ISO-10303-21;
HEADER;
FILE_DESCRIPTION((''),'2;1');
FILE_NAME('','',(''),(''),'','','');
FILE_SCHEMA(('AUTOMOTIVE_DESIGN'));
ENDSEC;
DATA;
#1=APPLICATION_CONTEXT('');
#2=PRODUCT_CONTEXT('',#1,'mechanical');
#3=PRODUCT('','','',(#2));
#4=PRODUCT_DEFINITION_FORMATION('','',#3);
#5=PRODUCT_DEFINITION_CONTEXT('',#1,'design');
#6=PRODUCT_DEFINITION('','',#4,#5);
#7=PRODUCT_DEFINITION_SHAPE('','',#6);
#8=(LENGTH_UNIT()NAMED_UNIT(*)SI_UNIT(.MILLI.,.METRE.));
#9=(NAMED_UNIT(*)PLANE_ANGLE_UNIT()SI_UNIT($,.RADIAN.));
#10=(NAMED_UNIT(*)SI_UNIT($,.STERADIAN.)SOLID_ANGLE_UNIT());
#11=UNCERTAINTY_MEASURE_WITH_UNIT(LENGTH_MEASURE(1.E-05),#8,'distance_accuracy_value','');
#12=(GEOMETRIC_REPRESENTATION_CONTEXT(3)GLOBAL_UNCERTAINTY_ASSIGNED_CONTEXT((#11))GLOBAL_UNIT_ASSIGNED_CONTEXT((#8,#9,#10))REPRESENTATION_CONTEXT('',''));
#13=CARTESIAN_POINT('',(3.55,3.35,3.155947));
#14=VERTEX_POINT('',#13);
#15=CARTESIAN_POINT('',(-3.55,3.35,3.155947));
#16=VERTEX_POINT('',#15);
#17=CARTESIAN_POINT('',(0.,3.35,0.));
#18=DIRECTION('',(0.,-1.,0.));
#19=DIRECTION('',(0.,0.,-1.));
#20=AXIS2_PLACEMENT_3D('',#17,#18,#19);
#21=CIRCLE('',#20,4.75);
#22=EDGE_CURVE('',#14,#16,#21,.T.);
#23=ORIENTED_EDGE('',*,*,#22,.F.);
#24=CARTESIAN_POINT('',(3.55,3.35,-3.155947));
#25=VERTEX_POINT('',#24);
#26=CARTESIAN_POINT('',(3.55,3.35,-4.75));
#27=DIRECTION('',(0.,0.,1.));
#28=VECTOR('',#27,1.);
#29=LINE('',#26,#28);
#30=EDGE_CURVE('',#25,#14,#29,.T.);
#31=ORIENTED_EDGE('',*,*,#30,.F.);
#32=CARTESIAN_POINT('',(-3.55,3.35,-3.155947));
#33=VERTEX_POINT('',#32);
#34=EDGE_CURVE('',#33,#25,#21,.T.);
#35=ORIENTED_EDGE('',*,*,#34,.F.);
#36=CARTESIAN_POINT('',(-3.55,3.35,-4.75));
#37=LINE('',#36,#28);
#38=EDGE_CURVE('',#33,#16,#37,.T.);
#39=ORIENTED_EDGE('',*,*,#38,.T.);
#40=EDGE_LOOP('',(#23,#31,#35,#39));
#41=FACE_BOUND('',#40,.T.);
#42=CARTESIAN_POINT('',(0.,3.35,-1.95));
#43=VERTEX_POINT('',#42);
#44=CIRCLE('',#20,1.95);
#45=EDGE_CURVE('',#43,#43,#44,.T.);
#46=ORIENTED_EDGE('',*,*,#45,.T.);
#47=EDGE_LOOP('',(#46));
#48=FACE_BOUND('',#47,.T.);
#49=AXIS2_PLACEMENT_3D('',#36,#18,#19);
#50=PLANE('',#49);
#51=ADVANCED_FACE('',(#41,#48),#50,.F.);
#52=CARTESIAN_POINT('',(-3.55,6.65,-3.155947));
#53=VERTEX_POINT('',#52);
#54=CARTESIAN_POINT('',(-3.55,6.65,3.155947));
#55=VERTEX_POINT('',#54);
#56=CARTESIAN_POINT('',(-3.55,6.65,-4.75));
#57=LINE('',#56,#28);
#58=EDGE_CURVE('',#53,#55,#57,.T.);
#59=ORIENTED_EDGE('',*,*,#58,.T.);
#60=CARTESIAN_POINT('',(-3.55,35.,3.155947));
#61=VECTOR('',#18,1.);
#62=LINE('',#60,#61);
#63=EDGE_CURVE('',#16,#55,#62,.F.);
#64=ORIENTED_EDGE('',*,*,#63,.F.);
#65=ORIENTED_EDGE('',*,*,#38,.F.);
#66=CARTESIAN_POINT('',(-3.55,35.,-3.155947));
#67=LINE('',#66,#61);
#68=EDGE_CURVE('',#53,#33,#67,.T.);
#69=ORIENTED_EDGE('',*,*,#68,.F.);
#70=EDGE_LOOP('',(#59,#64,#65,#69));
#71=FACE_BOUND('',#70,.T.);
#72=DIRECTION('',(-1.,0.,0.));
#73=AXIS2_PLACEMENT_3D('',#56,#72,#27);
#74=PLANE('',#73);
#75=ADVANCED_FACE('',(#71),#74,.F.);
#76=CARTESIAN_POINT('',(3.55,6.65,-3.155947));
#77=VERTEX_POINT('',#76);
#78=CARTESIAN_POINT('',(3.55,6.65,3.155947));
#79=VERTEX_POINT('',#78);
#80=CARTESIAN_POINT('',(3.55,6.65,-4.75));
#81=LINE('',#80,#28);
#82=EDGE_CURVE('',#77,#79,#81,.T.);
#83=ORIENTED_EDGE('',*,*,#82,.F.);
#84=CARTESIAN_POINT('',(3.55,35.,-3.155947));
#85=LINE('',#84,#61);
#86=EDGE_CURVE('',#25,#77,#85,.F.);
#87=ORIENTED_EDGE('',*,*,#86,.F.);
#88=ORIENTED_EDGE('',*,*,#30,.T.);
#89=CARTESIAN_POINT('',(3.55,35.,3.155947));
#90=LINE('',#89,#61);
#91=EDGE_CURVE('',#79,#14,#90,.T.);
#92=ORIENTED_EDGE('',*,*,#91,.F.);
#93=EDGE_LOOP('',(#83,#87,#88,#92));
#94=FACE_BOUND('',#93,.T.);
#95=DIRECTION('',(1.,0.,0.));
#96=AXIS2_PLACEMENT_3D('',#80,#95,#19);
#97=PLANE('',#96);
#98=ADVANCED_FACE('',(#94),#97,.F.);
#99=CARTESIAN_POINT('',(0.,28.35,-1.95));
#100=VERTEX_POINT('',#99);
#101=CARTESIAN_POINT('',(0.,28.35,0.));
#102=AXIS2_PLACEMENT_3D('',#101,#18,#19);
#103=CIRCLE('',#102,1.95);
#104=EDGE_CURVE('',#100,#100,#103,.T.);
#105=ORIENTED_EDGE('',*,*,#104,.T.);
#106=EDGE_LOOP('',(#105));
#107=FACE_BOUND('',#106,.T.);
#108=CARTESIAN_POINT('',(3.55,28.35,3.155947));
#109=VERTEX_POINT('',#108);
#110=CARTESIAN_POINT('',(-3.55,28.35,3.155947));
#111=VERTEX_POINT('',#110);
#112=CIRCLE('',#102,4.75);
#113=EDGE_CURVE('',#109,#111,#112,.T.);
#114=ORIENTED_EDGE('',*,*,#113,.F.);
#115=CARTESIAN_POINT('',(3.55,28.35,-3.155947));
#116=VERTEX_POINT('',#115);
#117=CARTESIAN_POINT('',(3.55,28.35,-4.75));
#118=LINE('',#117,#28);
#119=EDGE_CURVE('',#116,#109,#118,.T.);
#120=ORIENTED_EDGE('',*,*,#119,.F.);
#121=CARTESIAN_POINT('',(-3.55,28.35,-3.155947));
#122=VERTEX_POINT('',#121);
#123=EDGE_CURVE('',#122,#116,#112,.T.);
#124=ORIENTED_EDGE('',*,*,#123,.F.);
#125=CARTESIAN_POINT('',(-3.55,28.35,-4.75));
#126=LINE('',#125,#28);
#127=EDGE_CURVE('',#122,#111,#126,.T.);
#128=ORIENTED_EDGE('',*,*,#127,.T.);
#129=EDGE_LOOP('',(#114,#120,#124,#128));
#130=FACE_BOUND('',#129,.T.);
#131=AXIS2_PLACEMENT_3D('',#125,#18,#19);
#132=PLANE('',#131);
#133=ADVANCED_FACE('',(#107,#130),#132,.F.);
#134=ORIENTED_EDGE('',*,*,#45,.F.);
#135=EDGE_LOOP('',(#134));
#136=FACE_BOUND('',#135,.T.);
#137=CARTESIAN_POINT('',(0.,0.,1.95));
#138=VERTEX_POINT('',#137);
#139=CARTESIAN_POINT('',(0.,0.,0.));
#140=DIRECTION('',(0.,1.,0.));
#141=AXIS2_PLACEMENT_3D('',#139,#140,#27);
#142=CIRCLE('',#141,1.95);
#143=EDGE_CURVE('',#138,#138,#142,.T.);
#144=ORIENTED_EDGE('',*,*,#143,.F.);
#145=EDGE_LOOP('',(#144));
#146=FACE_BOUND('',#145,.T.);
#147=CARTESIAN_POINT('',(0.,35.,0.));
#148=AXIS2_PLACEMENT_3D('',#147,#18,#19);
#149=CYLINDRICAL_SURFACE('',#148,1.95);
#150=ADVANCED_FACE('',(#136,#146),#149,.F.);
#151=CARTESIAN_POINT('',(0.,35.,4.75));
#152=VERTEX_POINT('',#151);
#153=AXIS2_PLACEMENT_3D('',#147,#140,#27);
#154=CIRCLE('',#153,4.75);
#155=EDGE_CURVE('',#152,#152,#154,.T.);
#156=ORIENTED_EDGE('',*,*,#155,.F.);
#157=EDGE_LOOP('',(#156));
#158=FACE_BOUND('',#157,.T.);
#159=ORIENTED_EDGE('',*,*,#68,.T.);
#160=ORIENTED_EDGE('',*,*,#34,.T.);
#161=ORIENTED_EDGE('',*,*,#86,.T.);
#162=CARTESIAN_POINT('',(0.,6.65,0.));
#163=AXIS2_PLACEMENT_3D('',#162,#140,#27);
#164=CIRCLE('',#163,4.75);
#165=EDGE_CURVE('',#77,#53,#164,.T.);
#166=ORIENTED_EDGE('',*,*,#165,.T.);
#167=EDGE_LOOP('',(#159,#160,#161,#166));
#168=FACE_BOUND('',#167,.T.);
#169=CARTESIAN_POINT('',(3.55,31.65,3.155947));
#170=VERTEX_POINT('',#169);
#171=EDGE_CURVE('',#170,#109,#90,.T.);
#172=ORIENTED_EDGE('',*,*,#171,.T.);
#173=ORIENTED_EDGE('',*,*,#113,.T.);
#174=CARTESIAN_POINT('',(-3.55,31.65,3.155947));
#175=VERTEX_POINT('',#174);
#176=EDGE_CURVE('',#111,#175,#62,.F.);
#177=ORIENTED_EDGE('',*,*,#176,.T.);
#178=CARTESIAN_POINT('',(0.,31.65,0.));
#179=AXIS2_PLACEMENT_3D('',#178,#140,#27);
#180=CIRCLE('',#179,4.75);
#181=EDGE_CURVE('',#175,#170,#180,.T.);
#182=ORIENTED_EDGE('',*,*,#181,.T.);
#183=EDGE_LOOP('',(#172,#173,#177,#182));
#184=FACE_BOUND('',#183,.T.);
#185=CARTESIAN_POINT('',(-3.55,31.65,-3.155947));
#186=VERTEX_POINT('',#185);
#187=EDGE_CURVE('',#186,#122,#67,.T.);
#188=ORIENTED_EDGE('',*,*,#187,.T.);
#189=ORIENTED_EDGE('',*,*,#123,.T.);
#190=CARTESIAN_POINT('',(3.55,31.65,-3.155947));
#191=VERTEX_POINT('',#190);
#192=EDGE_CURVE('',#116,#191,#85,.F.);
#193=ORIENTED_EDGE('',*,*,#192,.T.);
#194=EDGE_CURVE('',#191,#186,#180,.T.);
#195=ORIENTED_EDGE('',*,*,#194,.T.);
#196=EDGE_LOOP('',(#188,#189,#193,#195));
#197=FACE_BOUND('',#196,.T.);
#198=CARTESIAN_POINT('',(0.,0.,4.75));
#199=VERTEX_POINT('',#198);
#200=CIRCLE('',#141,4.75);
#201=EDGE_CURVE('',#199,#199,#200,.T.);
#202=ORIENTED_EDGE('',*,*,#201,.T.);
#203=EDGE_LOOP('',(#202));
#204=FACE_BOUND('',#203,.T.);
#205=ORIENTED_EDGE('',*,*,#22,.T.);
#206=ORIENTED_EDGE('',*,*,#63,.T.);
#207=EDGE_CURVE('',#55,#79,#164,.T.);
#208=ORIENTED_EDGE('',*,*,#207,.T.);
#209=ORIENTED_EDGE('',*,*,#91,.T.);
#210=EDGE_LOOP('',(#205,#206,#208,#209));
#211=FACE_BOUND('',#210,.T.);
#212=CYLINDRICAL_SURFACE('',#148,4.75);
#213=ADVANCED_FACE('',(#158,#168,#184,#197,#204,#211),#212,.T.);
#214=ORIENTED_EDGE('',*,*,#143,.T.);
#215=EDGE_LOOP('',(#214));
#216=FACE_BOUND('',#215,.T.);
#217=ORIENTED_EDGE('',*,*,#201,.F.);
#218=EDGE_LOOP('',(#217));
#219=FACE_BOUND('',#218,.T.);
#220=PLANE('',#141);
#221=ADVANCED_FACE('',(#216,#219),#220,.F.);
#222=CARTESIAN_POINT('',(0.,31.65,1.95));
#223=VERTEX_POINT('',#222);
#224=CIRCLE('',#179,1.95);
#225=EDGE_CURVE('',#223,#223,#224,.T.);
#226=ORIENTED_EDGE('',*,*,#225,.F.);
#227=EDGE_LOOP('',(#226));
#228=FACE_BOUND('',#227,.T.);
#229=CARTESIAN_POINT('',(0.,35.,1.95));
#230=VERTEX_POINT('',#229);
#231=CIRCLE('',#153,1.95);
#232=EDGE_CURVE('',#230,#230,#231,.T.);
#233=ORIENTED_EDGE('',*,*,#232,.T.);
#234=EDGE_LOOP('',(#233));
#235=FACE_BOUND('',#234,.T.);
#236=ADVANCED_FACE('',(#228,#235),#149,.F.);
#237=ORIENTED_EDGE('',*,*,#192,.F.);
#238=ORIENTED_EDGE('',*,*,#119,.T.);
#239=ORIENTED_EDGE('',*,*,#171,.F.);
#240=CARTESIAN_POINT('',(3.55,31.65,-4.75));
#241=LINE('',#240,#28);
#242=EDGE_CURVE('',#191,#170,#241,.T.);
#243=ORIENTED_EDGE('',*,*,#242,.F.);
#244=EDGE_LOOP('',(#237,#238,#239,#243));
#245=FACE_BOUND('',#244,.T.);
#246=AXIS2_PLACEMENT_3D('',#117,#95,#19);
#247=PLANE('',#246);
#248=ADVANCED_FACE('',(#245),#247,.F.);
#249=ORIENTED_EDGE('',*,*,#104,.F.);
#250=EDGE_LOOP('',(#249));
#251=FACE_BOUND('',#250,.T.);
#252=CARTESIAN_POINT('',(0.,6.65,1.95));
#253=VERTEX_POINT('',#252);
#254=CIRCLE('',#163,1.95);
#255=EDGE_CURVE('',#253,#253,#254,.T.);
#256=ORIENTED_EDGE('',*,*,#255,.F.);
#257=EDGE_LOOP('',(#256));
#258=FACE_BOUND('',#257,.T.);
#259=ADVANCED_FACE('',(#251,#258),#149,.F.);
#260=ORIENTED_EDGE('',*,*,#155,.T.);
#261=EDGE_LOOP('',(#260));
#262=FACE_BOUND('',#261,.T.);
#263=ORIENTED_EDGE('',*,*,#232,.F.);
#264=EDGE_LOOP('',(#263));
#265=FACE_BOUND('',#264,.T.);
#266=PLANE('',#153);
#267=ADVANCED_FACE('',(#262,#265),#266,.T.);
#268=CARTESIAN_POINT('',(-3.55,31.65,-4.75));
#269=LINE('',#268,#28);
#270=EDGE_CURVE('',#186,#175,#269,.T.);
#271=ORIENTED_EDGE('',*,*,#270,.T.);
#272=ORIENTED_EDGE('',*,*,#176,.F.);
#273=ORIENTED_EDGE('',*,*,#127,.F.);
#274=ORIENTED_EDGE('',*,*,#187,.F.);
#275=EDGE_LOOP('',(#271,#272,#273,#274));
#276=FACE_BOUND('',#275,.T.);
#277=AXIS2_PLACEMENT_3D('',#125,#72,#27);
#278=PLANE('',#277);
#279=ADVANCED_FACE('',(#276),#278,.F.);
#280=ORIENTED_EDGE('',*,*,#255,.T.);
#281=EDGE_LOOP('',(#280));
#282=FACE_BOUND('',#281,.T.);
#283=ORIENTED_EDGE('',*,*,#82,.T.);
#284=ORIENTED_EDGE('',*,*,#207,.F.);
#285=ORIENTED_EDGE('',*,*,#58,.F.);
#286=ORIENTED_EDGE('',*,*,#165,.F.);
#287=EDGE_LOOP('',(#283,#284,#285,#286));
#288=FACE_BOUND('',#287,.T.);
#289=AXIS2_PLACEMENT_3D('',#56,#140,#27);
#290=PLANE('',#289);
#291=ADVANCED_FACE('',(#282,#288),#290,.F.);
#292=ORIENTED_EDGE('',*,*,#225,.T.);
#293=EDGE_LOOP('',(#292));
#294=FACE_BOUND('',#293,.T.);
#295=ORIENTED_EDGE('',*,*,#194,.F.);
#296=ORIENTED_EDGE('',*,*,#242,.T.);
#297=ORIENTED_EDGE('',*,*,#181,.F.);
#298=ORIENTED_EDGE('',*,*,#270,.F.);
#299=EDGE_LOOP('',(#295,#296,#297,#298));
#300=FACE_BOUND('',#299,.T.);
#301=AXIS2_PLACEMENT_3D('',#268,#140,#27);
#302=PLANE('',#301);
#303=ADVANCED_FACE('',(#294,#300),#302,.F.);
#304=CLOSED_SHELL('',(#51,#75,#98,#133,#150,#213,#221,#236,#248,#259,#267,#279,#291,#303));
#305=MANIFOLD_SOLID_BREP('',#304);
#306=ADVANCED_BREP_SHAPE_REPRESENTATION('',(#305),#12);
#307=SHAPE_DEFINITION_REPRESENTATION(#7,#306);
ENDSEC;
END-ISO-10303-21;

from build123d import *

# Parameters (mm, degrees)
SKETCH1_R               = 4.75
SKETCH1_R_2             = 1.95
BOSS_EXTRUDE1_DEPTH     = 35
CUT_EXTRUDE1_DEPTH      = 36.638813112
CUT_EXTRUDE1_DEPTH_BACK = 36.638813112
SKETCH2_W               = 7.1
SKETCH2_H               = 3.3


with BuildPart() as part:
    # Sketch1 → Boss-Extrude1 (new body)
    with BuildSketch(Plane(origin=(0, 0, 0), x_dir=(1, 0, 0), z_dir=(0, 1, 0))):
        with Locations(Location((0, 0, 0), (0, 0, 270))):
            Circle(SKETCH1_R)
        with Locations(Location((0, 0, 0), (0, 0, 270))):
            Circle(SKETCH1_R_2, mode=Mode.SUBTRACT)
    extrude(amount=BOSS_EXTRUDE1_DEPTH)

    # Sketch2 → Cut-Extrude1 (cut, two sides: drawn at the far end of the back side and taken through both)
    with BuildSketch(Plane.XY.offset(-CUT_EXTRUDE1_DEPTH_BACK)):
        with Locations((0, 30)):
            Rectangle(SKETCH2_W, SKETCH2_H)
        with Locations((0, 5)):
            Rectangle(SKETCH2_W, SKETCH2_H)
    extrude(amount=CUT_EXTRUDE1_DEPTH + CUT_EXTRUDE1_DEPTH_BACK, mode=Mode.SUBTRACT)


solid = part.part
